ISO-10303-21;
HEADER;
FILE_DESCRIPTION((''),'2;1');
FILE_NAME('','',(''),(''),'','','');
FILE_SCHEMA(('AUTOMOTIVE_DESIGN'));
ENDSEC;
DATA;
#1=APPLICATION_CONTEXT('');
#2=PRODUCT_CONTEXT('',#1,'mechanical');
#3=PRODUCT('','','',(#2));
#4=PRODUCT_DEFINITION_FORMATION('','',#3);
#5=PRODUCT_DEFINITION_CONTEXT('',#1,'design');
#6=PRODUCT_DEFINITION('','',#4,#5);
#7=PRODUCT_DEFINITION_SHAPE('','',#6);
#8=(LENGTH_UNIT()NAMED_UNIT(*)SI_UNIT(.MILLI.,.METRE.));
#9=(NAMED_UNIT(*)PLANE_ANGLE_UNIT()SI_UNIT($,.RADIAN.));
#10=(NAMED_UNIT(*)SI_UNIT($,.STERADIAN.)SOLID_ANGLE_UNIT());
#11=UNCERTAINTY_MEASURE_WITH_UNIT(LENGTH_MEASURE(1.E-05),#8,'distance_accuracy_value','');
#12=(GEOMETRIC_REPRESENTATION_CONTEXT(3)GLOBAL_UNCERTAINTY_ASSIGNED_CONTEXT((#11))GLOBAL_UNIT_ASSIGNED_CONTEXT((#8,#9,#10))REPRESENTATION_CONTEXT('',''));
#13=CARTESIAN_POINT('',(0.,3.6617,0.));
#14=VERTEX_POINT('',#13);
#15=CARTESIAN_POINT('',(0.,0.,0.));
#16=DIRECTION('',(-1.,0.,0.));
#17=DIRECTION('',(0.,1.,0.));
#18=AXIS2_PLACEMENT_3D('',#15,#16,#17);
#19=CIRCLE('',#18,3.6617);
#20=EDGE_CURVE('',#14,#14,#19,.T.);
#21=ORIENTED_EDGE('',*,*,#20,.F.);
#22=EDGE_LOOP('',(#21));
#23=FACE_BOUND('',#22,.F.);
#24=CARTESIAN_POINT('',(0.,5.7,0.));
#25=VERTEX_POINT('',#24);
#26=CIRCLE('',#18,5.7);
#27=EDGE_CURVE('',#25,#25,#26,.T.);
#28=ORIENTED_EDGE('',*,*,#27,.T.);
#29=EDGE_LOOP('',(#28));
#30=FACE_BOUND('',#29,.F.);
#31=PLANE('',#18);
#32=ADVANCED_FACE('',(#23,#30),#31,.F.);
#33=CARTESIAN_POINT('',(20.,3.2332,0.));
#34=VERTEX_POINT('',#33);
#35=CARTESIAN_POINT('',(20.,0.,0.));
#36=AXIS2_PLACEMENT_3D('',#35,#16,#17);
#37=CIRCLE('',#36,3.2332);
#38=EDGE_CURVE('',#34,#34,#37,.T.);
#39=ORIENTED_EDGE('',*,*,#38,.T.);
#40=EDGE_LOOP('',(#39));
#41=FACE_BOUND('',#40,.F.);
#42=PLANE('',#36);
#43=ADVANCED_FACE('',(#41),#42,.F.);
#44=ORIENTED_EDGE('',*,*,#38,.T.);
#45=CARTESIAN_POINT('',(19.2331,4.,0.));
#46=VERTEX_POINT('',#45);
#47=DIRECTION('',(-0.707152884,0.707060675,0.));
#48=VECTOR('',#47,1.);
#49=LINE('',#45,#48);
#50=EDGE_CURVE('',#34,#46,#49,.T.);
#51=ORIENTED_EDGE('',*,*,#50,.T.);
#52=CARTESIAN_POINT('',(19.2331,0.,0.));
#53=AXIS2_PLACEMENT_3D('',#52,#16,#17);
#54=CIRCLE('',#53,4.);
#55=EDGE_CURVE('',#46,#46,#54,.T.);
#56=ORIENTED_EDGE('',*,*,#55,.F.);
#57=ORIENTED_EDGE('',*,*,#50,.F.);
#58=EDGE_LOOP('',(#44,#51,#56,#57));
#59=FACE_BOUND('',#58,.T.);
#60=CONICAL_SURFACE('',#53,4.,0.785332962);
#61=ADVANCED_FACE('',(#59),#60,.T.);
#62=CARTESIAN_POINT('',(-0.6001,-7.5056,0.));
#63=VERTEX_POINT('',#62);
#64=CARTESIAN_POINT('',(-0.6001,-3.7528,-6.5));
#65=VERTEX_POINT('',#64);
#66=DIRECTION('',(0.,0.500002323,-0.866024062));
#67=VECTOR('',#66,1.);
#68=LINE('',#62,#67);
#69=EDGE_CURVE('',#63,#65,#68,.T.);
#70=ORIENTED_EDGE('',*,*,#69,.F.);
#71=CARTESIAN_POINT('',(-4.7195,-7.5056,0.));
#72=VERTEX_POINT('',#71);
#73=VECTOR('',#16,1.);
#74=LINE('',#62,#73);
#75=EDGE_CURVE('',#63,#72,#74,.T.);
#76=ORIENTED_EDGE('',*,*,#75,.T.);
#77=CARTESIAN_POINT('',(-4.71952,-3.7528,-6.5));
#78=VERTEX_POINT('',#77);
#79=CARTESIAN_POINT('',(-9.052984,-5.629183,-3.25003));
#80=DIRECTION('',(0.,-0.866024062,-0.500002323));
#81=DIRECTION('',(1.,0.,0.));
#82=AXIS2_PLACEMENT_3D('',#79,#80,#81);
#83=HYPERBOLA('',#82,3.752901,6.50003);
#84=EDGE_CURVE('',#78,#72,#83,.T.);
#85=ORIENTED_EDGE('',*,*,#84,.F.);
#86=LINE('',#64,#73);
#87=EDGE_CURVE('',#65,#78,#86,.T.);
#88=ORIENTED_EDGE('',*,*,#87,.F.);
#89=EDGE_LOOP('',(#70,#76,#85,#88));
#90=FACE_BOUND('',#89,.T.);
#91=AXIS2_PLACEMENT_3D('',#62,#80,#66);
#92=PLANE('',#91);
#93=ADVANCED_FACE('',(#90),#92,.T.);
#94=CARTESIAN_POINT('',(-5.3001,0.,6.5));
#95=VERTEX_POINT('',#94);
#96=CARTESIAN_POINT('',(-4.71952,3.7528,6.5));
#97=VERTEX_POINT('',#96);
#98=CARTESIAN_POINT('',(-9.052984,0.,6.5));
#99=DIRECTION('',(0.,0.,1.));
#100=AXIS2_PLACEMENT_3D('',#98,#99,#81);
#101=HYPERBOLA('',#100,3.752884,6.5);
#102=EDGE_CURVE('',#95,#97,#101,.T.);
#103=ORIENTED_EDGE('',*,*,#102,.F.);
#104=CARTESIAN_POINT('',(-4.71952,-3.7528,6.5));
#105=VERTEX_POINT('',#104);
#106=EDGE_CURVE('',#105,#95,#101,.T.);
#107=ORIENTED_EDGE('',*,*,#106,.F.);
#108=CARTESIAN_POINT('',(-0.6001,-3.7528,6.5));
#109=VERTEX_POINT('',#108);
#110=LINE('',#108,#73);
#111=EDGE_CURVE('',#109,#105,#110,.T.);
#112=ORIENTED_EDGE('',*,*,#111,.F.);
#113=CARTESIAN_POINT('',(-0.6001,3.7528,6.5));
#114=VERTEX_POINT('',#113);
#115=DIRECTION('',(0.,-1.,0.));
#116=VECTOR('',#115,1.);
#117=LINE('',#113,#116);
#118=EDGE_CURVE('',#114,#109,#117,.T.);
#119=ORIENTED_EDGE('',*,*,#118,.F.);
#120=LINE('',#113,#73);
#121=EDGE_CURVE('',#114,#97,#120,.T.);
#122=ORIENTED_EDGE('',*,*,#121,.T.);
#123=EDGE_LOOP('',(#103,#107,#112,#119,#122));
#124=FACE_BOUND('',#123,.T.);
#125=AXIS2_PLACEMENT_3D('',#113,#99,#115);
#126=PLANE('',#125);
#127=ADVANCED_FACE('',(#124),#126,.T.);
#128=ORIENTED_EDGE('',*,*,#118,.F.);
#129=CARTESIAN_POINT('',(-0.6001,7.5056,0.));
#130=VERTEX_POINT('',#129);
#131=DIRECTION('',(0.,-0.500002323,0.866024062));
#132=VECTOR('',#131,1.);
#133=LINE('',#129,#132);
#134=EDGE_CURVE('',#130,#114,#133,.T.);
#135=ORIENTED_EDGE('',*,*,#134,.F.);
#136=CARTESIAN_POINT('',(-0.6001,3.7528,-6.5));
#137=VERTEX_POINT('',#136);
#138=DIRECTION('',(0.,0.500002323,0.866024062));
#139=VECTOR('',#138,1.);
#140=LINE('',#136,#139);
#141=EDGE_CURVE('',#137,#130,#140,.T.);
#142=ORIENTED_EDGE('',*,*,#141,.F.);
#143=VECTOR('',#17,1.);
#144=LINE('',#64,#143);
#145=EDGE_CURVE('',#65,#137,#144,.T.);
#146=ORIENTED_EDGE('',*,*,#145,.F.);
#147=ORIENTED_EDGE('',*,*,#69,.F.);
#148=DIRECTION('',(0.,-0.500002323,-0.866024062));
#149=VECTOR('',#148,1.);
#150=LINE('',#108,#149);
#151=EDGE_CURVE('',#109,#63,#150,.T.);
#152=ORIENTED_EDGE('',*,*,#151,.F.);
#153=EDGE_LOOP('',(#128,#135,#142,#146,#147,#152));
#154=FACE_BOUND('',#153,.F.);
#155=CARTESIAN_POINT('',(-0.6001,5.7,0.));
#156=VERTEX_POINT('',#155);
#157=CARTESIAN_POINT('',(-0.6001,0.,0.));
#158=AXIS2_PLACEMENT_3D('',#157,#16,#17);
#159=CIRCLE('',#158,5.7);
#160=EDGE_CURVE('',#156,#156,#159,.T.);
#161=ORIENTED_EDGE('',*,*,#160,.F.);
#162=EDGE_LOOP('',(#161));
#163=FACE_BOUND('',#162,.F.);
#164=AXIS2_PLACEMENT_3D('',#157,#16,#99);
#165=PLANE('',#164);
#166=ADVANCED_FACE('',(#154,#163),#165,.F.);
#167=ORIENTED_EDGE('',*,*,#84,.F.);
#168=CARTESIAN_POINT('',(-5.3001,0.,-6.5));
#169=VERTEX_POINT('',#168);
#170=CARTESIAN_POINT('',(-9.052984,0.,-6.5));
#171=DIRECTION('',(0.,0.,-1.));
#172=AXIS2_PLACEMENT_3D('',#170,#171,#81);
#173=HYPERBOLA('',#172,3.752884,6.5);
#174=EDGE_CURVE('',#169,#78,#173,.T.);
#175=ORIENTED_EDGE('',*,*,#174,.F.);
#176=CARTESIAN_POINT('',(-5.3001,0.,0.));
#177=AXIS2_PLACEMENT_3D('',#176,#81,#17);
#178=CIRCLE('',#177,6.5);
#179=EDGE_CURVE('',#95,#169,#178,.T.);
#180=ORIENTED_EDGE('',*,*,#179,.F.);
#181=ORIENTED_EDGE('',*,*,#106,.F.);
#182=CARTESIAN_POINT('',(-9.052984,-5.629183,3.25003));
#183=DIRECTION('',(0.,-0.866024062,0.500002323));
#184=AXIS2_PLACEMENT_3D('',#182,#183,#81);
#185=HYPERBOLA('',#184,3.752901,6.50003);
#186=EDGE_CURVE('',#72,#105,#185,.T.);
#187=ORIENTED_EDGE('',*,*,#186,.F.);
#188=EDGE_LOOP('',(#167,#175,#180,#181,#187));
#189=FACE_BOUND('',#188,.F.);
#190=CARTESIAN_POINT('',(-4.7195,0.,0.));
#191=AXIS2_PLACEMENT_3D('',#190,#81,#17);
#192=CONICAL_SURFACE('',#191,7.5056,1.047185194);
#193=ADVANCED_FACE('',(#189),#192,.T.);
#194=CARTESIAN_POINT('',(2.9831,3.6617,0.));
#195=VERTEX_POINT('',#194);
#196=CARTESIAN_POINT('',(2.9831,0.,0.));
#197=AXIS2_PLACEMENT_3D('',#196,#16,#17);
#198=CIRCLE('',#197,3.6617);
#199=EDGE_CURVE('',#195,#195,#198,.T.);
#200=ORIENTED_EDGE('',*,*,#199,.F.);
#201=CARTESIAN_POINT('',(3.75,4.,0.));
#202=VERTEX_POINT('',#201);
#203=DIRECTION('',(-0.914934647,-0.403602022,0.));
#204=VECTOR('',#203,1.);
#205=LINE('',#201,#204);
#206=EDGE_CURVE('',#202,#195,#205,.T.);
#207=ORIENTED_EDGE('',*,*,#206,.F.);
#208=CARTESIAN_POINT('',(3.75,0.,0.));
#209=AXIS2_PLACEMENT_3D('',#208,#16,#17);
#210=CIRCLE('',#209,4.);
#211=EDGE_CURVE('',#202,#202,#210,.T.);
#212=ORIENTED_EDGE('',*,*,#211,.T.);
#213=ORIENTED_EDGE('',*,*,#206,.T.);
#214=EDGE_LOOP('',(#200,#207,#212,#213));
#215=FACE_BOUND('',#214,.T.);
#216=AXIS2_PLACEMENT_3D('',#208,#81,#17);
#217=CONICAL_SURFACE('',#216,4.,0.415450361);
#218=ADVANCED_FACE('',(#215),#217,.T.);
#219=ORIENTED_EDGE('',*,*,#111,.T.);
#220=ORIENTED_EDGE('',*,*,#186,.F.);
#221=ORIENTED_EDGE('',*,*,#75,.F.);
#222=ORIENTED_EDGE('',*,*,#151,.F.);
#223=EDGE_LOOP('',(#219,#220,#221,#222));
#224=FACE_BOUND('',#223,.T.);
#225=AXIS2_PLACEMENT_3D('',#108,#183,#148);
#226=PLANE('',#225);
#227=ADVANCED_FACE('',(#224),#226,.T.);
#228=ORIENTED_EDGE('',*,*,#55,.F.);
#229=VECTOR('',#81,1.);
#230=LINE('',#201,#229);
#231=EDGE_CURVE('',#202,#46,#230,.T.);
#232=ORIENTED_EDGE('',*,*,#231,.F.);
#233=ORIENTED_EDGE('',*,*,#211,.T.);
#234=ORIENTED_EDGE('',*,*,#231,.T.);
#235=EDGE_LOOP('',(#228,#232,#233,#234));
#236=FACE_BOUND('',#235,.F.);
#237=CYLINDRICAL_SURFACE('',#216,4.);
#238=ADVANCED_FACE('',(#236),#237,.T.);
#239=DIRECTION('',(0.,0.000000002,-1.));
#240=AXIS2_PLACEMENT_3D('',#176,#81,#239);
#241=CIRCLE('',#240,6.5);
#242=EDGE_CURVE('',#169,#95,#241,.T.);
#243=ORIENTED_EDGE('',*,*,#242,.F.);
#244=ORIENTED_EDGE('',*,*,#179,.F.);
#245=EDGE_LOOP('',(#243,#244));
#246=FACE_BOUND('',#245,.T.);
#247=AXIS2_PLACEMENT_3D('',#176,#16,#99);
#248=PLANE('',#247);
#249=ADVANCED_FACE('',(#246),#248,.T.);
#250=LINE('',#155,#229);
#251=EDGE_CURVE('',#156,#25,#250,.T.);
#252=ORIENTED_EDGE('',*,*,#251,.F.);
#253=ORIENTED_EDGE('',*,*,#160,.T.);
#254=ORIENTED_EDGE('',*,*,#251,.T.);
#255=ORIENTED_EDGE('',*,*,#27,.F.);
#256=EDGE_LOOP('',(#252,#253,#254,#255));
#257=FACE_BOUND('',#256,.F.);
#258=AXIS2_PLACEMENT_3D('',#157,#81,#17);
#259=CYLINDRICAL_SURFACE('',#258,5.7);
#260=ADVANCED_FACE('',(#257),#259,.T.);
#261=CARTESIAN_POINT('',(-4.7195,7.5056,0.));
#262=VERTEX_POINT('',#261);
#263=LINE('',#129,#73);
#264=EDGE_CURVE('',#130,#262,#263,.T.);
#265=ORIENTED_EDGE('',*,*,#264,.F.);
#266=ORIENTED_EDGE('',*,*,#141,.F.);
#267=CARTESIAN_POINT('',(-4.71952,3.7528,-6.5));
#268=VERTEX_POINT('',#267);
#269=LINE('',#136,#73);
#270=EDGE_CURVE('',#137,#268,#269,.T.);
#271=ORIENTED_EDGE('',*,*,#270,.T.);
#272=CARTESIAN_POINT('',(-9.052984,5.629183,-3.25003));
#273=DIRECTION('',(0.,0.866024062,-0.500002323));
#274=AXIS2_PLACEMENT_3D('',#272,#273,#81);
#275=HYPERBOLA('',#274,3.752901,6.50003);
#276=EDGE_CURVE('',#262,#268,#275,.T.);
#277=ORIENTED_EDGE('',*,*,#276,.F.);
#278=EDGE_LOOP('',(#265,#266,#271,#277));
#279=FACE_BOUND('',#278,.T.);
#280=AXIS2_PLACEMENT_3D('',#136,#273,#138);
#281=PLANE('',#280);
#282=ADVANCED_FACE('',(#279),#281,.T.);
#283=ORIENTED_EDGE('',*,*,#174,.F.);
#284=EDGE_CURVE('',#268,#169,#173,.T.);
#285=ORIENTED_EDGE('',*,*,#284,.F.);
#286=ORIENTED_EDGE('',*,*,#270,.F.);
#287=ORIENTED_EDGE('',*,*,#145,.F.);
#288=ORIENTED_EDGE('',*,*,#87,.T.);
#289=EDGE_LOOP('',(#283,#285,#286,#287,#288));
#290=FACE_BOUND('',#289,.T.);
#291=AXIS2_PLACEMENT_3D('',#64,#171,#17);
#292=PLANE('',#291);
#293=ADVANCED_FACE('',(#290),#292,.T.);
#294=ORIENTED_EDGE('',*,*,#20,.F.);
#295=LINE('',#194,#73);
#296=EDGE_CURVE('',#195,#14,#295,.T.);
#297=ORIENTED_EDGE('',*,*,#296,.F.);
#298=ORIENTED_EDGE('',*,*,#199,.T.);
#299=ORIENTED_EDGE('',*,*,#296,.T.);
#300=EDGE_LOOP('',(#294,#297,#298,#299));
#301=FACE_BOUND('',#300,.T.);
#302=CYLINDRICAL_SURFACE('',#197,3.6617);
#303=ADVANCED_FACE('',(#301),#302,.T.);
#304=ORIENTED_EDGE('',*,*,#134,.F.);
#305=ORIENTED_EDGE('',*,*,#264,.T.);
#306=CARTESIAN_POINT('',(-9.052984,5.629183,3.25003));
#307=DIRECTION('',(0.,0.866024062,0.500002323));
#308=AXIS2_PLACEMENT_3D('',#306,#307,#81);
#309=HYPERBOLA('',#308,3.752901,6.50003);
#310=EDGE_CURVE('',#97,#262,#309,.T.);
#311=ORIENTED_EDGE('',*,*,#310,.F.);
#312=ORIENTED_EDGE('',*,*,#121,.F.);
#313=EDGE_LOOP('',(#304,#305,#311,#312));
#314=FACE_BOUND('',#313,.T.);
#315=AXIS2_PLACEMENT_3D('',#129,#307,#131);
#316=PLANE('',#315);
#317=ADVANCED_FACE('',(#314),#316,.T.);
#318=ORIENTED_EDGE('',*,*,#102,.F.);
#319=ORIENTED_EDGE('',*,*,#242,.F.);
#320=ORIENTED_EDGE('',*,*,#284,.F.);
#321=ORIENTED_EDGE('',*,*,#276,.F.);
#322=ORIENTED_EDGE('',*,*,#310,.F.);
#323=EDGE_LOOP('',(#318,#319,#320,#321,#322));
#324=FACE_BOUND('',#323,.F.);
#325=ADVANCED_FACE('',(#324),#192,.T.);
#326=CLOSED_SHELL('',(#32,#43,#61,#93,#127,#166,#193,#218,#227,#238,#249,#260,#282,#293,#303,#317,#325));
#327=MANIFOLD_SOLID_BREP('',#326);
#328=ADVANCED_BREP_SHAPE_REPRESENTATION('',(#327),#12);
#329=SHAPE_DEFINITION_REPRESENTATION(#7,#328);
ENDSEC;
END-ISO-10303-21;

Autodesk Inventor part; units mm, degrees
ref_plane "YZ Plane" through (0, 0, 0) normal (1, 0, 0) x (0, 1, 0)
ref_plane "XZ Plane" through (0, 0, 0) normal (0, 1, 0) x (-1, 0, 0)
sketch "Boceto1" plane through (0, 0, 0) normal (0, 0, 1) x (1, 0, 0)
  line L0 (0, 5.7) -> (0, 3.6617)
  line L1 (3.75, 4) -> (20, 4)
  line L2 (20, 4) -> (20, 0)
  line L3 (20, 0) -> (-0.6001, 0)
  line L4 (-0.7001, 0) -> (2.45, 0) projected
  line L5 (-0.6001, 0) -> (-0.6001, 5.7)
  line L6 (-0.6001, 5.7) -> (0, 5.7)
  line L7 (3.75, 4) -> (2.9831, 3.6617)
  line L8 (2.9831, 3.6617) -> (0, 3.6617)
  line L9 (0, -0.227) -> (0, 1.362) projected
  dimension "d0" = 20
  dimension "d1" = 16.25
  dimension "d2" = 8
  dimension "d9" = 0.6001
  dimension "d10" = 11.4
  dimension "d13" = 0.7669
  dimension "d14" = 7.3234
revolve "Cuerpo" add sketch "Boceto1" angle 360 about axis through (20, 0, 0) along (-1, 0, 0)
sketch "Boceto2" plane through (-0.6001, 0, 0) normal (-1, 0, 0) x (0, 0, 1)
  line L0 (0, 7.5056) -> (6.5, 3.7528)
  line L1 (6.5, 3.7528) -> (6.5, -3.7528)
  line L2 (6.5, -3.7528) -> (0, -7.5056)
  line L3 (0, -7.5056) -> (-6.5, -3.7528)
  line L4 (-6.5, -3.7528) -> (-6.5, 3.7528)
  line L5 (-6.5, 3.7528) -> (0, 7.5056)
  point P0 (0, 0)
  point P1 (0, 0)
  dimension "d11" = 13
extrude "Cabeza" add sketch "Boceto2" along normal blind 4.7
sketch "Boceto4" plane through (0, 0, 0) normal (0, 0, 1) x (1, 0, 0)
  line L0 (-5.3001, 6.5) -> (-5.3001, 7.5056)
  line L1 (-5.3001, 7.5056) -> (-4.7195, 7.5056)
  line L2 (-4.7195, 7.5056) -> (-5.3001, 6.5)
  line L3 (-1.2701, 0) -> (-0.0801, 0) projected
  line L4 (-0.6001, 7.5056) -> (-5.3001, 7.5056) projected
  line L5 (-5.3001, 3.7528) -> (-5.3001, 7.5056) projected
  dimension "d5" = 30
  dimension "d19" = 13
revolve "Chaflán1" cut sketch "Boceto4" angle 360 about axis through (-10, 0, 0) along (1, 0, 0)
thread "Rosca" size "M1.6x0.35" class "6g" standard "ANSI Metric M Profile" length 16.25
chamfer "Chaflán2" distance 0.7668 distance2 0.7669 1 edges at (20, -4, 0) measured on face at (20, 1.3194, 0.8842)
ref_plane "Work Plane1" through (1.525, 0, 0) normal (0, 0, 1) x (1, 0, 0)
equation "\"d0\" = NLG"
equation "\"d1\" = GEL"
equation "\"d2\" = GD"
equation "\"d10\" = SD2"
equation "\"d14\" = BDM"
equation "\"d11\" = SW"
equation "\"d3\" = KOH - SD"
equation "\"d5\" = ANG1"
equation "\"d19\" = SW0"
equation "\"d15\" = GEL"
equation "\"d6\" = -0.5 * SPD + 0.5 * GD"
equation "\"NLG\" = 20"
equation "\"GD\" = NND"
equation "\"BDM\" = 7.32342"
equation "\"KOH\" = 5.3"
equation "\"GEL\" = 16.25"
equation "\"SW\" = 13"
equation "\"SW0\" = 13"
equation "\"SPD\" = NND - 1.2269 * PTC"
equation "\"SD2\" = 11.4"
equation "\"SD\" = 0.6"
equation "\"ANG1\" = 30deg"
equation "\"GAL\" = 0.61345 * PTC"
equation "\"GUL\" = 0.61345 * PTC"
equation "\"RR\" = 0.4"
equation "\"GD1\" = THREADDIA - 1.2269 * PTC"
equation "\"THREADDIA\" = 8"
equation "\"TOA\" = 30deg"
equation "\"PTC\" = 1.25"
equation "\"NND\" = 8"
equation "\"E0\" = 1.155 * SW"
properties part number "DIN 933 - M8  x 20" material "Acero, suave"
